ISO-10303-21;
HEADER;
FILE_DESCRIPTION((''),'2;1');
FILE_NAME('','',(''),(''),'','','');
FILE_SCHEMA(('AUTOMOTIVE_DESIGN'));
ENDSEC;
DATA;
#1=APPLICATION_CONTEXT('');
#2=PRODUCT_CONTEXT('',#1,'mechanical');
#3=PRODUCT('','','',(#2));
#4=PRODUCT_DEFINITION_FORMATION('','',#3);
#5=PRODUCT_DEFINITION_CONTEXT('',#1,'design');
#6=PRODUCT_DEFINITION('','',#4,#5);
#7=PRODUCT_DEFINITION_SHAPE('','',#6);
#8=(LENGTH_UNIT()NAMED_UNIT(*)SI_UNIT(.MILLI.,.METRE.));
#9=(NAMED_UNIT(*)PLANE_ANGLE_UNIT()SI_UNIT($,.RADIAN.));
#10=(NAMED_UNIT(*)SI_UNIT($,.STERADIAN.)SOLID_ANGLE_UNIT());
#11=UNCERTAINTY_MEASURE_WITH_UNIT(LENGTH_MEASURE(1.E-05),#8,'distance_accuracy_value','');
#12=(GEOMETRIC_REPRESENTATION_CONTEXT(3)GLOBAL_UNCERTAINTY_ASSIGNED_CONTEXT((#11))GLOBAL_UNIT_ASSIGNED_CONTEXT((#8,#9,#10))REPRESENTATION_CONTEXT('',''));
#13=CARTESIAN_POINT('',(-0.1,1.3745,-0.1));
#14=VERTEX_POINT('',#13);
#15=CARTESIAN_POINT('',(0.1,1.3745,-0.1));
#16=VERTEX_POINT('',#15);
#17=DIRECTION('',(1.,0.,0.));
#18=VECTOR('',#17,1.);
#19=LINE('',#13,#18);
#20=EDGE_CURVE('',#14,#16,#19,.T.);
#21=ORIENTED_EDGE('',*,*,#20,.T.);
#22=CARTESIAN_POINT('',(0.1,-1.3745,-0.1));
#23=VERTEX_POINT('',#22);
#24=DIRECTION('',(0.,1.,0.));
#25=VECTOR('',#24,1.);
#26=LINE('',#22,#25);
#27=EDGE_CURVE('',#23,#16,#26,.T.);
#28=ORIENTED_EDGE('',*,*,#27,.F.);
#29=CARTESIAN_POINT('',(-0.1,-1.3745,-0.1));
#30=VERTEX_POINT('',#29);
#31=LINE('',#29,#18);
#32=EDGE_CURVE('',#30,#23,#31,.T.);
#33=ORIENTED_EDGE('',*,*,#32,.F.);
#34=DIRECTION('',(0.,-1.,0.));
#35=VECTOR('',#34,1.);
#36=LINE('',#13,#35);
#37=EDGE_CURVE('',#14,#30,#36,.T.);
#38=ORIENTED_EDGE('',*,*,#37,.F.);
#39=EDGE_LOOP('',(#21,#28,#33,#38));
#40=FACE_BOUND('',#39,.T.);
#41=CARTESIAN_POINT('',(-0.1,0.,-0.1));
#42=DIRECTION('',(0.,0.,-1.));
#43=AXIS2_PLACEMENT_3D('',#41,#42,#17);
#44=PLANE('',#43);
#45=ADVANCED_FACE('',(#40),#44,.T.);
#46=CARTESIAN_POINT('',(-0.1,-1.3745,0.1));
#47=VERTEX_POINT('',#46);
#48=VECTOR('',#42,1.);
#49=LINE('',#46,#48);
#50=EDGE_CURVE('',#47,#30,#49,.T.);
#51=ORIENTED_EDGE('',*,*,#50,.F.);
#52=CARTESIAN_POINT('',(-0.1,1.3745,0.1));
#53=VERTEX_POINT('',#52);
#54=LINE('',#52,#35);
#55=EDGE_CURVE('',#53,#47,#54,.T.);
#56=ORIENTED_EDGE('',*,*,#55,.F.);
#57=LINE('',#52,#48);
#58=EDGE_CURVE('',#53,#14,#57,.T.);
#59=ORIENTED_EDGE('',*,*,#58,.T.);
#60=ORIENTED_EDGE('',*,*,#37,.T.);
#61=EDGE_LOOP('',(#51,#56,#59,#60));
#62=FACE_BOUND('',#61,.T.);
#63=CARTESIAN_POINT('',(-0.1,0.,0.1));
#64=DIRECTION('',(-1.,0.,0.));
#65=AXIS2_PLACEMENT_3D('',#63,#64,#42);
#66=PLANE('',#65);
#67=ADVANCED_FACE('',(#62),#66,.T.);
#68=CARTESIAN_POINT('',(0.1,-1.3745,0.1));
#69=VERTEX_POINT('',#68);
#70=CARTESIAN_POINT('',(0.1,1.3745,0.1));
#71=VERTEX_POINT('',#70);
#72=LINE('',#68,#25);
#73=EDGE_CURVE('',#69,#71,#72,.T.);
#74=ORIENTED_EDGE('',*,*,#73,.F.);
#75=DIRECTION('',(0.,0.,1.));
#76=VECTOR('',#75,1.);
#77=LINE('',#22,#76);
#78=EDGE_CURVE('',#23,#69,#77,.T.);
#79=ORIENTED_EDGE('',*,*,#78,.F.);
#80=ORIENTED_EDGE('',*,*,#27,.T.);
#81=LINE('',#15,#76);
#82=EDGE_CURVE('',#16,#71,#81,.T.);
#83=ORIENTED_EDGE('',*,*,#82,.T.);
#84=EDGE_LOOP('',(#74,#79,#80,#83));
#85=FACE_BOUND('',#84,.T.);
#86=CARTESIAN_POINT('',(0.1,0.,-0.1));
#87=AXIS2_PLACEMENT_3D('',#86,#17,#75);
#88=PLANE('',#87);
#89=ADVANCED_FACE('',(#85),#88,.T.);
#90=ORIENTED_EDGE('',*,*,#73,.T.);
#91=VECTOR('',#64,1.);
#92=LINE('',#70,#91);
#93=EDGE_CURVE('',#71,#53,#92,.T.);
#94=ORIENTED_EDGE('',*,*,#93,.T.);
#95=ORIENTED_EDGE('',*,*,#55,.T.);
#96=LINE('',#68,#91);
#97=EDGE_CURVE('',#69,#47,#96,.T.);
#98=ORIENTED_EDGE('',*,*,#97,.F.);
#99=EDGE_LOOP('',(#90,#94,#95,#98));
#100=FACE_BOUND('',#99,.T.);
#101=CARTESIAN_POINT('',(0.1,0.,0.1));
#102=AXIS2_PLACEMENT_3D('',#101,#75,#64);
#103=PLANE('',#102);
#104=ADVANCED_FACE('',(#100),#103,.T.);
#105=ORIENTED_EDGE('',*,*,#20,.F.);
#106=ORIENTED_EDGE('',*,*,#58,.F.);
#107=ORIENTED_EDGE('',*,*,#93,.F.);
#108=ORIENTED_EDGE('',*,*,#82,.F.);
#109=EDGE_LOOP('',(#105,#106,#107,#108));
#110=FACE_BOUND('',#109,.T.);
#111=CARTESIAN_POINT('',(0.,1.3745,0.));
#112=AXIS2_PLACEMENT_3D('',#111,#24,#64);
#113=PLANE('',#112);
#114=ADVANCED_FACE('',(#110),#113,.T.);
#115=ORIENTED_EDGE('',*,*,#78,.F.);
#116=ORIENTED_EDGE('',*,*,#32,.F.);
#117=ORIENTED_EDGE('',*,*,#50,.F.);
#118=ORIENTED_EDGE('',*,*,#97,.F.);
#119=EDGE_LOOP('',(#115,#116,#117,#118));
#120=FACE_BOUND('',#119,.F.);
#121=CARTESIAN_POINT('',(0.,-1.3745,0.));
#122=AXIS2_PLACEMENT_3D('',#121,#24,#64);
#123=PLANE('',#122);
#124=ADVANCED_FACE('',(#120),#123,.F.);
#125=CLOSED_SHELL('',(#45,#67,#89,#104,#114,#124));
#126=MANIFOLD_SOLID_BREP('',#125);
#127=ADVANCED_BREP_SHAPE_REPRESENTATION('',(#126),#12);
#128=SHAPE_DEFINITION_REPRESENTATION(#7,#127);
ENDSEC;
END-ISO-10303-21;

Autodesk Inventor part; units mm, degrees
ref_plane "YZ Plane" through (0, 0, 0) normal (1, 0, 0) x (0, 1, 0)
ref_plane "XZ Plane" through (0, 0, 0) normal (0, 1, 0) x (-1, 0, 0)
ref_plane "XY Plane" through (0, 0, 0) normal (0, 0, 1) x (1, 0, 0)
sketch "Sketch1" plane through (0, 0, 0) normal (0, 1, 0) x (-1, 0, 0)
  line L0 (-0.1, 0.1) -> (0.1, 0.1)
  line L1 (0.1, 0.1) -> (0.1, -0.1)
  line L2 (0.1, -0.1) -> (-0.1, -0.1)
  line L3 (-0.1, -0.1) -> (-0.1, 0.1)
  line L4 (-0.1, 0.1) -> (0.1, -0.1) construction
  line L5 (0.1, 0.1) -> (-0.1, -0.1) construction
  point P0 (0, 0)
  dimension "d0" = 0.2
  dimension "d1" = 0.2
extrude "Extrusion1" add sketch "Sketch1" along normal mid plane 2.749
properties part number "Bone7_1_Fix"
